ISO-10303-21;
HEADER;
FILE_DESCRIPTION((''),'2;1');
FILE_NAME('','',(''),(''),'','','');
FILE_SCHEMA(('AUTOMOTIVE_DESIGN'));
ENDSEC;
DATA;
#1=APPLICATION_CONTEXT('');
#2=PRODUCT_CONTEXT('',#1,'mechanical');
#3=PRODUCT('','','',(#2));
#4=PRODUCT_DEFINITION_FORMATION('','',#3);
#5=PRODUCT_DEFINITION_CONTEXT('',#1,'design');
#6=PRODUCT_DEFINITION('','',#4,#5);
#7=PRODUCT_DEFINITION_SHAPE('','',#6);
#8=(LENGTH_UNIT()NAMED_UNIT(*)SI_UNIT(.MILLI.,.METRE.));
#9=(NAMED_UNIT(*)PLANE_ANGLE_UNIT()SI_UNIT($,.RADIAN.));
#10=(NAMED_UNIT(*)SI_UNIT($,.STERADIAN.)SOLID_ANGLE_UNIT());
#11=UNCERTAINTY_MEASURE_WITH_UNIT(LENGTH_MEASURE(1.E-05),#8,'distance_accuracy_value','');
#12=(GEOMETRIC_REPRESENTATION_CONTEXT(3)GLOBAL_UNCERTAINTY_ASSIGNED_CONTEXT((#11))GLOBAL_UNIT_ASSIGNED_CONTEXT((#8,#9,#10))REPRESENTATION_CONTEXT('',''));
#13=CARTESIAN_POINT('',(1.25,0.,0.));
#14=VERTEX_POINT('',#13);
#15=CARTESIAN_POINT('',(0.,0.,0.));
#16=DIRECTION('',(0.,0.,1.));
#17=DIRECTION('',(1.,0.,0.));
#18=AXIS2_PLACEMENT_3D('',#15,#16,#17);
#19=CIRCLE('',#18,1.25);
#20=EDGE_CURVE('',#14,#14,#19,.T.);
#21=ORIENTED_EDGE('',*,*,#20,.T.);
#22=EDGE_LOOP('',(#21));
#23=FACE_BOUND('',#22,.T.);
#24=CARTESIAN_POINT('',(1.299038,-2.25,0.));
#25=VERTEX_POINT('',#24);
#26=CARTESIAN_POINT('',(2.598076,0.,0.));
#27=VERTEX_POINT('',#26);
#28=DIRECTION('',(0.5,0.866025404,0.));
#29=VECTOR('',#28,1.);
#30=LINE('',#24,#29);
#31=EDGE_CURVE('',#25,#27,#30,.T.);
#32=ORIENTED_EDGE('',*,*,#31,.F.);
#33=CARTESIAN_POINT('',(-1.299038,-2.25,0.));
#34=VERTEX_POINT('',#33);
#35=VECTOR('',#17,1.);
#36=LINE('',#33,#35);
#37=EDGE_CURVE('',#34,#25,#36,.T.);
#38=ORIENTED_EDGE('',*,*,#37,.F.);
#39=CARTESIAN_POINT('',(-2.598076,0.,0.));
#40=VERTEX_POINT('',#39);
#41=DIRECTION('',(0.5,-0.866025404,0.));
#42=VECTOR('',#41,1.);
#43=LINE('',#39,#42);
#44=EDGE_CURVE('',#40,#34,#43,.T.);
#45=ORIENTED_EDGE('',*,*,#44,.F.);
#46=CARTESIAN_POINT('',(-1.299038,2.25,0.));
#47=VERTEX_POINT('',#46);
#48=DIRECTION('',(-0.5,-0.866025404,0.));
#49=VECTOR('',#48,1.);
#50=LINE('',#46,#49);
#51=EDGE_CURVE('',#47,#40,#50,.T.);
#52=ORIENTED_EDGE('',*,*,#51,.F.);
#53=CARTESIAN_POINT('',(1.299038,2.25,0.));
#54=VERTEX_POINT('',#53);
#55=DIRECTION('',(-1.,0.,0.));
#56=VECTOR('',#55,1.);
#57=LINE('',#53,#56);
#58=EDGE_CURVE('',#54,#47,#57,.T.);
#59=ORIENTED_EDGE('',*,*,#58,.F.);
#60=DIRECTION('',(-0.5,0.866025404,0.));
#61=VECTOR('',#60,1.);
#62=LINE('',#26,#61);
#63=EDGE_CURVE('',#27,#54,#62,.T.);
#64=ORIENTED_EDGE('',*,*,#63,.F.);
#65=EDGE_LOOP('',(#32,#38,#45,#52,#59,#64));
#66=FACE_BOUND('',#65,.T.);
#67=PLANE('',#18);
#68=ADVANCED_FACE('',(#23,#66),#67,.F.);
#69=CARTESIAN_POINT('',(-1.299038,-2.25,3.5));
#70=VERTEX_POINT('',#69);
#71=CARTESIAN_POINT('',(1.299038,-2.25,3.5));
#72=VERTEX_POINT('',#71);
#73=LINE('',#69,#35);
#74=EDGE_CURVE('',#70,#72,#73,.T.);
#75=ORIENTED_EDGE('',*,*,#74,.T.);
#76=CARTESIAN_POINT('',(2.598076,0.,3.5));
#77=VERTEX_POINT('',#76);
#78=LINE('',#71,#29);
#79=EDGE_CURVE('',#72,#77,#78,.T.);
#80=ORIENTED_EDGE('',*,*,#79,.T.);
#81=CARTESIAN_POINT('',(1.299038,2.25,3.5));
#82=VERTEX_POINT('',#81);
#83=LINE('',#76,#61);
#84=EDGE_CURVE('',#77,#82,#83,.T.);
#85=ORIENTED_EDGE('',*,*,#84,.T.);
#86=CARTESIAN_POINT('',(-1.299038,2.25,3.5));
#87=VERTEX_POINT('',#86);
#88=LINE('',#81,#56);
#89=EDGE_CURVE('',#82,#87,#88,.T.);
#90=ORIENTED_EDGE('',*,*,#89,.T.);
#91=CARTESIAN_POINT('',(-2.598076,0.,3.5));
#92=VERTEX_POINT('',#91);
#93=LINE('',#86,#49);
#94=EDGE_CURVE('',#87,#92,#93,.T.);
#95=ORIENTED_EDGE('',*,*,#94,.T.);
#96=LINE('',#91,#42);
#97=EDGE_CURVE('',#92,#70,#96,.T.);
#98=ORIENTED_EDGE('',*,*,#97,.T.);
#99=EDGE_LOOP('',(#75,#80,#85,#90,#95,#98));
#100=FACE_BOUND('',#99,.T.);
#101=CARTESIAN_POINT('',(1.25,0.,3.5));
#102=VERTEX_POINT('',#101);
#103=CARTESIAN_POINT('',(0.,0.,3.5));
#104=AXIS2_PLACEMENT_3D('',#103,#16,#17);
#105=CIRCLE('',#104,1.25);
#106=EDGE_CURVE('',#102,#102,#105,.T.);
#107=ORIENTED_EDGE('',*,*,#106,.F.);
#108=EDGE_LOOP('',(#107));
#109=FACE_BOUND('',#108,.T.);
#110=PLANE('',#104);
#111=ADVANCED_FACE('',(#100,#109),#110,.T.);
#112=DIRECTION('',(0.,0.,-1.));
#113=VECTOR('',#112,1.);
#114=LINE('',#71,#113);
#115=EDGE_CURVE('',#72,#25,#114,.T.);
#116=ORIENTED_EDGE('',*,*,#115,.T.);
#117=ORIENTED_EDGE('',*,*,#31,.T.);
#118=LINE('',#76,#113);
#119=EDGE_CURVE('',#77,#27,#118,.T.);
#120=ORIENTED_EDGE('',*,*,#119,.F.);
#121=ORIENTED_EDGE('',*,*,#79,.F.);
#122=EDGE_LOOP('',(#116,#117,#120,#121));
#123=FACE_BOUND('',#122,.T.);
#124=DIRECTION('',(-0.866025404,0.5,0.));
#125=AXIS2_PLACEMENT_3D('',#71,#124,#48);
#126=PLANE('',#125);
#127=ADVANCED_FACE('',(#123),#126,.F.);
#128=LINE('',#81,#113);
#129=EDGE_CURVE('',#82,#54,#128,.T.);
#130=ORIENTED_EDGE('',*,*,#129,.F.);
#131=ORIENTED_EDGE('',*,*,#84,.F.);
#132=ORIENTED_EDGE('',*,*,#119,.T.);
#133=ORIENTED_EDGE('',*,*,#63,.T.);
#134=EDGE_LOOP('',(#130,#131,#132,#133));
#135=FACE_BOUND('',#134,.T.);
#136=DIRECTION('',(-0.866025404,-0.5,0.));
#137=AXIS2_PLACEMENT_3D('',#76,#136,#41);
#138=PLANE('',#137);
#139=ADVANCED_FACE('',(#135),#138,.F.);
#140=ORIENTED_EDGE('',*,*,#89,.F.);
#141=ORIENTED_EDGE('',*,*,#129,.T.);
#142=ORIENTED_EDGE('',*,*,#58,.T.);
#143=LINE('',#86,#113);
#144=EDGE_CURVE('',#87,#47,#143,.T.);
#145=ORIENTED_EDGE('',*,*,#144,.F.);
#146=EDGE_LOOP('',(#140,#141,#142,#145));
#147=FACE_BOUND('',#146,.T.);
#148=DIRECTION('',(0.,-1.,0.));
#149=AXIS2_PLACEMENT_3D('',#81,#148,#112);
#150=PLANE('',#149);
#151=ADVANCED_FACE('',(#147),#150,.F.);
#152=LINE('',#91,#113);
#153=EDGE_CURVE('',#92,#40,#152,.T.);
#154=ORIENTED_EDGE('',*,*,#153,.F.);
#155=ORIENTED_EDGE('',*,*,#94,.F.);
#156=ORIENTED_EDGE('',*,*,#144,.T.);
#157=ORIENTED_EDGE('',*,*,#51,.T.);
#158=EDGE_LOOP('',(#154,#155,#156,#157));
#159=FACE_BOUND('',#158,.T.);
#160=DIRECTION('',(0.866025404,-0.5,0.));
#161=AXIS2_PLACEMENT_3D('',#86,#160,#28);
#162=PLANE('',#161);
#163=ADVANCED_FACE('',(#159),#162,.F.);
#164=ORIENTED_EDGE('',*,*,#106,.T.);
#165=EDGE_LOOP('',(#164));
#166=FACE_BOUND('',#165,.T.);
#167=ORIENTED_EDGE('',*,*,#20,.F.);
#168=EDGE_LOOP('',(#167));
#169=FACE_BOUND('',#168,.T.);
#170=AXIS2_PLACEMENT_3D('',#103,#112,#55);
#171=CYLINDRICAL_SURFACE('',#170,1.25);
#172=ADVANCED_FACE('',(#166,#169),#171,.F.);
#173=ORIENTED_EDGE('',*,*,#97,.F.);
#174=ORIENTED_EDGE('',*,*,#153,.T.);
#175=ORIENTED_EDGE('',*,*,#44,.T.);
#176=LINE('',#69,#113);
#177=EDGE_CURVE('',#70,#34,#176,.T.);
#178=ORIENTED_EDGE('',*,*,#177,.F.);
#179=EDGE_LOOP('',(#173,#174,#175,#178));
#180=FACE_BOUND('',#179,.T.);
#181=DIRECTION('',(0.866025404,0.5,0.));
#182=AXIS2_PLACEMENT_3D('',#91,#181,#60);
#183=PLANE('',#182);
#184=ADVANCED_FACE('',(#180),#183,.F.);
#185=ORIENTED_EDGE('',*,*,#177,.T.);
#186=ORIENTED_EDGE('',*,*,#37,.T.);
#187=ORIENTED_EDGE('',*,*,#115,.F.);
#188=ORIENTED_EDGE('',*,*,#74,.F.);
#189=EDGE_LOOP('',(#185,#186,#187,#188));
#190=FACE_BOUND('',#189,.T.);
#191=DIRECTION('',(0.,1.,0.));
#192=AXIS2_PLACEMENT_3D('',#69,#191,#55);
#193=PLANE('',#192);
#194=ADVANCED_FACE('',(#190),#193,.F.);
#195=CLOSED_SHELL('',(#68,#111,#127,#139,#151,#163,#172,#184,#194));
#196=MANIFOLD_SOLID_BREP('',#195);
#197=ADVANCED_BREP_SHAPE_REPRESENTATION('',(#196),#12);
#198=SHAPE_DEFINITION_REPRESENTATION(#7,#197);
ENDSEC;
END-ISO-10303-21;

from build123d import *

# Parameters (mm, degrees)
SKETCH1_R           = 1.25
BOSS_EXTRUDE1_DEPTH = 3.5


with BuildPart() as part:
    # Sketch1 → Boss-Extrude1 (new body)
    with BuildSketch(Plane.XY):
        Polygon((-2.598076211, 0), (-1.299038106, -2.25), (1.299038106, -2.25), (2.598076211, 0), (1.299038106, 2.25), (-1.299038106, 2.25), align=None)
        Circle(SKETCH1_R, mode=Mode.SUBTRACT)
    extrude(amount=BOSS_EXTRUDE1_DEPTH)


solid = part.part
